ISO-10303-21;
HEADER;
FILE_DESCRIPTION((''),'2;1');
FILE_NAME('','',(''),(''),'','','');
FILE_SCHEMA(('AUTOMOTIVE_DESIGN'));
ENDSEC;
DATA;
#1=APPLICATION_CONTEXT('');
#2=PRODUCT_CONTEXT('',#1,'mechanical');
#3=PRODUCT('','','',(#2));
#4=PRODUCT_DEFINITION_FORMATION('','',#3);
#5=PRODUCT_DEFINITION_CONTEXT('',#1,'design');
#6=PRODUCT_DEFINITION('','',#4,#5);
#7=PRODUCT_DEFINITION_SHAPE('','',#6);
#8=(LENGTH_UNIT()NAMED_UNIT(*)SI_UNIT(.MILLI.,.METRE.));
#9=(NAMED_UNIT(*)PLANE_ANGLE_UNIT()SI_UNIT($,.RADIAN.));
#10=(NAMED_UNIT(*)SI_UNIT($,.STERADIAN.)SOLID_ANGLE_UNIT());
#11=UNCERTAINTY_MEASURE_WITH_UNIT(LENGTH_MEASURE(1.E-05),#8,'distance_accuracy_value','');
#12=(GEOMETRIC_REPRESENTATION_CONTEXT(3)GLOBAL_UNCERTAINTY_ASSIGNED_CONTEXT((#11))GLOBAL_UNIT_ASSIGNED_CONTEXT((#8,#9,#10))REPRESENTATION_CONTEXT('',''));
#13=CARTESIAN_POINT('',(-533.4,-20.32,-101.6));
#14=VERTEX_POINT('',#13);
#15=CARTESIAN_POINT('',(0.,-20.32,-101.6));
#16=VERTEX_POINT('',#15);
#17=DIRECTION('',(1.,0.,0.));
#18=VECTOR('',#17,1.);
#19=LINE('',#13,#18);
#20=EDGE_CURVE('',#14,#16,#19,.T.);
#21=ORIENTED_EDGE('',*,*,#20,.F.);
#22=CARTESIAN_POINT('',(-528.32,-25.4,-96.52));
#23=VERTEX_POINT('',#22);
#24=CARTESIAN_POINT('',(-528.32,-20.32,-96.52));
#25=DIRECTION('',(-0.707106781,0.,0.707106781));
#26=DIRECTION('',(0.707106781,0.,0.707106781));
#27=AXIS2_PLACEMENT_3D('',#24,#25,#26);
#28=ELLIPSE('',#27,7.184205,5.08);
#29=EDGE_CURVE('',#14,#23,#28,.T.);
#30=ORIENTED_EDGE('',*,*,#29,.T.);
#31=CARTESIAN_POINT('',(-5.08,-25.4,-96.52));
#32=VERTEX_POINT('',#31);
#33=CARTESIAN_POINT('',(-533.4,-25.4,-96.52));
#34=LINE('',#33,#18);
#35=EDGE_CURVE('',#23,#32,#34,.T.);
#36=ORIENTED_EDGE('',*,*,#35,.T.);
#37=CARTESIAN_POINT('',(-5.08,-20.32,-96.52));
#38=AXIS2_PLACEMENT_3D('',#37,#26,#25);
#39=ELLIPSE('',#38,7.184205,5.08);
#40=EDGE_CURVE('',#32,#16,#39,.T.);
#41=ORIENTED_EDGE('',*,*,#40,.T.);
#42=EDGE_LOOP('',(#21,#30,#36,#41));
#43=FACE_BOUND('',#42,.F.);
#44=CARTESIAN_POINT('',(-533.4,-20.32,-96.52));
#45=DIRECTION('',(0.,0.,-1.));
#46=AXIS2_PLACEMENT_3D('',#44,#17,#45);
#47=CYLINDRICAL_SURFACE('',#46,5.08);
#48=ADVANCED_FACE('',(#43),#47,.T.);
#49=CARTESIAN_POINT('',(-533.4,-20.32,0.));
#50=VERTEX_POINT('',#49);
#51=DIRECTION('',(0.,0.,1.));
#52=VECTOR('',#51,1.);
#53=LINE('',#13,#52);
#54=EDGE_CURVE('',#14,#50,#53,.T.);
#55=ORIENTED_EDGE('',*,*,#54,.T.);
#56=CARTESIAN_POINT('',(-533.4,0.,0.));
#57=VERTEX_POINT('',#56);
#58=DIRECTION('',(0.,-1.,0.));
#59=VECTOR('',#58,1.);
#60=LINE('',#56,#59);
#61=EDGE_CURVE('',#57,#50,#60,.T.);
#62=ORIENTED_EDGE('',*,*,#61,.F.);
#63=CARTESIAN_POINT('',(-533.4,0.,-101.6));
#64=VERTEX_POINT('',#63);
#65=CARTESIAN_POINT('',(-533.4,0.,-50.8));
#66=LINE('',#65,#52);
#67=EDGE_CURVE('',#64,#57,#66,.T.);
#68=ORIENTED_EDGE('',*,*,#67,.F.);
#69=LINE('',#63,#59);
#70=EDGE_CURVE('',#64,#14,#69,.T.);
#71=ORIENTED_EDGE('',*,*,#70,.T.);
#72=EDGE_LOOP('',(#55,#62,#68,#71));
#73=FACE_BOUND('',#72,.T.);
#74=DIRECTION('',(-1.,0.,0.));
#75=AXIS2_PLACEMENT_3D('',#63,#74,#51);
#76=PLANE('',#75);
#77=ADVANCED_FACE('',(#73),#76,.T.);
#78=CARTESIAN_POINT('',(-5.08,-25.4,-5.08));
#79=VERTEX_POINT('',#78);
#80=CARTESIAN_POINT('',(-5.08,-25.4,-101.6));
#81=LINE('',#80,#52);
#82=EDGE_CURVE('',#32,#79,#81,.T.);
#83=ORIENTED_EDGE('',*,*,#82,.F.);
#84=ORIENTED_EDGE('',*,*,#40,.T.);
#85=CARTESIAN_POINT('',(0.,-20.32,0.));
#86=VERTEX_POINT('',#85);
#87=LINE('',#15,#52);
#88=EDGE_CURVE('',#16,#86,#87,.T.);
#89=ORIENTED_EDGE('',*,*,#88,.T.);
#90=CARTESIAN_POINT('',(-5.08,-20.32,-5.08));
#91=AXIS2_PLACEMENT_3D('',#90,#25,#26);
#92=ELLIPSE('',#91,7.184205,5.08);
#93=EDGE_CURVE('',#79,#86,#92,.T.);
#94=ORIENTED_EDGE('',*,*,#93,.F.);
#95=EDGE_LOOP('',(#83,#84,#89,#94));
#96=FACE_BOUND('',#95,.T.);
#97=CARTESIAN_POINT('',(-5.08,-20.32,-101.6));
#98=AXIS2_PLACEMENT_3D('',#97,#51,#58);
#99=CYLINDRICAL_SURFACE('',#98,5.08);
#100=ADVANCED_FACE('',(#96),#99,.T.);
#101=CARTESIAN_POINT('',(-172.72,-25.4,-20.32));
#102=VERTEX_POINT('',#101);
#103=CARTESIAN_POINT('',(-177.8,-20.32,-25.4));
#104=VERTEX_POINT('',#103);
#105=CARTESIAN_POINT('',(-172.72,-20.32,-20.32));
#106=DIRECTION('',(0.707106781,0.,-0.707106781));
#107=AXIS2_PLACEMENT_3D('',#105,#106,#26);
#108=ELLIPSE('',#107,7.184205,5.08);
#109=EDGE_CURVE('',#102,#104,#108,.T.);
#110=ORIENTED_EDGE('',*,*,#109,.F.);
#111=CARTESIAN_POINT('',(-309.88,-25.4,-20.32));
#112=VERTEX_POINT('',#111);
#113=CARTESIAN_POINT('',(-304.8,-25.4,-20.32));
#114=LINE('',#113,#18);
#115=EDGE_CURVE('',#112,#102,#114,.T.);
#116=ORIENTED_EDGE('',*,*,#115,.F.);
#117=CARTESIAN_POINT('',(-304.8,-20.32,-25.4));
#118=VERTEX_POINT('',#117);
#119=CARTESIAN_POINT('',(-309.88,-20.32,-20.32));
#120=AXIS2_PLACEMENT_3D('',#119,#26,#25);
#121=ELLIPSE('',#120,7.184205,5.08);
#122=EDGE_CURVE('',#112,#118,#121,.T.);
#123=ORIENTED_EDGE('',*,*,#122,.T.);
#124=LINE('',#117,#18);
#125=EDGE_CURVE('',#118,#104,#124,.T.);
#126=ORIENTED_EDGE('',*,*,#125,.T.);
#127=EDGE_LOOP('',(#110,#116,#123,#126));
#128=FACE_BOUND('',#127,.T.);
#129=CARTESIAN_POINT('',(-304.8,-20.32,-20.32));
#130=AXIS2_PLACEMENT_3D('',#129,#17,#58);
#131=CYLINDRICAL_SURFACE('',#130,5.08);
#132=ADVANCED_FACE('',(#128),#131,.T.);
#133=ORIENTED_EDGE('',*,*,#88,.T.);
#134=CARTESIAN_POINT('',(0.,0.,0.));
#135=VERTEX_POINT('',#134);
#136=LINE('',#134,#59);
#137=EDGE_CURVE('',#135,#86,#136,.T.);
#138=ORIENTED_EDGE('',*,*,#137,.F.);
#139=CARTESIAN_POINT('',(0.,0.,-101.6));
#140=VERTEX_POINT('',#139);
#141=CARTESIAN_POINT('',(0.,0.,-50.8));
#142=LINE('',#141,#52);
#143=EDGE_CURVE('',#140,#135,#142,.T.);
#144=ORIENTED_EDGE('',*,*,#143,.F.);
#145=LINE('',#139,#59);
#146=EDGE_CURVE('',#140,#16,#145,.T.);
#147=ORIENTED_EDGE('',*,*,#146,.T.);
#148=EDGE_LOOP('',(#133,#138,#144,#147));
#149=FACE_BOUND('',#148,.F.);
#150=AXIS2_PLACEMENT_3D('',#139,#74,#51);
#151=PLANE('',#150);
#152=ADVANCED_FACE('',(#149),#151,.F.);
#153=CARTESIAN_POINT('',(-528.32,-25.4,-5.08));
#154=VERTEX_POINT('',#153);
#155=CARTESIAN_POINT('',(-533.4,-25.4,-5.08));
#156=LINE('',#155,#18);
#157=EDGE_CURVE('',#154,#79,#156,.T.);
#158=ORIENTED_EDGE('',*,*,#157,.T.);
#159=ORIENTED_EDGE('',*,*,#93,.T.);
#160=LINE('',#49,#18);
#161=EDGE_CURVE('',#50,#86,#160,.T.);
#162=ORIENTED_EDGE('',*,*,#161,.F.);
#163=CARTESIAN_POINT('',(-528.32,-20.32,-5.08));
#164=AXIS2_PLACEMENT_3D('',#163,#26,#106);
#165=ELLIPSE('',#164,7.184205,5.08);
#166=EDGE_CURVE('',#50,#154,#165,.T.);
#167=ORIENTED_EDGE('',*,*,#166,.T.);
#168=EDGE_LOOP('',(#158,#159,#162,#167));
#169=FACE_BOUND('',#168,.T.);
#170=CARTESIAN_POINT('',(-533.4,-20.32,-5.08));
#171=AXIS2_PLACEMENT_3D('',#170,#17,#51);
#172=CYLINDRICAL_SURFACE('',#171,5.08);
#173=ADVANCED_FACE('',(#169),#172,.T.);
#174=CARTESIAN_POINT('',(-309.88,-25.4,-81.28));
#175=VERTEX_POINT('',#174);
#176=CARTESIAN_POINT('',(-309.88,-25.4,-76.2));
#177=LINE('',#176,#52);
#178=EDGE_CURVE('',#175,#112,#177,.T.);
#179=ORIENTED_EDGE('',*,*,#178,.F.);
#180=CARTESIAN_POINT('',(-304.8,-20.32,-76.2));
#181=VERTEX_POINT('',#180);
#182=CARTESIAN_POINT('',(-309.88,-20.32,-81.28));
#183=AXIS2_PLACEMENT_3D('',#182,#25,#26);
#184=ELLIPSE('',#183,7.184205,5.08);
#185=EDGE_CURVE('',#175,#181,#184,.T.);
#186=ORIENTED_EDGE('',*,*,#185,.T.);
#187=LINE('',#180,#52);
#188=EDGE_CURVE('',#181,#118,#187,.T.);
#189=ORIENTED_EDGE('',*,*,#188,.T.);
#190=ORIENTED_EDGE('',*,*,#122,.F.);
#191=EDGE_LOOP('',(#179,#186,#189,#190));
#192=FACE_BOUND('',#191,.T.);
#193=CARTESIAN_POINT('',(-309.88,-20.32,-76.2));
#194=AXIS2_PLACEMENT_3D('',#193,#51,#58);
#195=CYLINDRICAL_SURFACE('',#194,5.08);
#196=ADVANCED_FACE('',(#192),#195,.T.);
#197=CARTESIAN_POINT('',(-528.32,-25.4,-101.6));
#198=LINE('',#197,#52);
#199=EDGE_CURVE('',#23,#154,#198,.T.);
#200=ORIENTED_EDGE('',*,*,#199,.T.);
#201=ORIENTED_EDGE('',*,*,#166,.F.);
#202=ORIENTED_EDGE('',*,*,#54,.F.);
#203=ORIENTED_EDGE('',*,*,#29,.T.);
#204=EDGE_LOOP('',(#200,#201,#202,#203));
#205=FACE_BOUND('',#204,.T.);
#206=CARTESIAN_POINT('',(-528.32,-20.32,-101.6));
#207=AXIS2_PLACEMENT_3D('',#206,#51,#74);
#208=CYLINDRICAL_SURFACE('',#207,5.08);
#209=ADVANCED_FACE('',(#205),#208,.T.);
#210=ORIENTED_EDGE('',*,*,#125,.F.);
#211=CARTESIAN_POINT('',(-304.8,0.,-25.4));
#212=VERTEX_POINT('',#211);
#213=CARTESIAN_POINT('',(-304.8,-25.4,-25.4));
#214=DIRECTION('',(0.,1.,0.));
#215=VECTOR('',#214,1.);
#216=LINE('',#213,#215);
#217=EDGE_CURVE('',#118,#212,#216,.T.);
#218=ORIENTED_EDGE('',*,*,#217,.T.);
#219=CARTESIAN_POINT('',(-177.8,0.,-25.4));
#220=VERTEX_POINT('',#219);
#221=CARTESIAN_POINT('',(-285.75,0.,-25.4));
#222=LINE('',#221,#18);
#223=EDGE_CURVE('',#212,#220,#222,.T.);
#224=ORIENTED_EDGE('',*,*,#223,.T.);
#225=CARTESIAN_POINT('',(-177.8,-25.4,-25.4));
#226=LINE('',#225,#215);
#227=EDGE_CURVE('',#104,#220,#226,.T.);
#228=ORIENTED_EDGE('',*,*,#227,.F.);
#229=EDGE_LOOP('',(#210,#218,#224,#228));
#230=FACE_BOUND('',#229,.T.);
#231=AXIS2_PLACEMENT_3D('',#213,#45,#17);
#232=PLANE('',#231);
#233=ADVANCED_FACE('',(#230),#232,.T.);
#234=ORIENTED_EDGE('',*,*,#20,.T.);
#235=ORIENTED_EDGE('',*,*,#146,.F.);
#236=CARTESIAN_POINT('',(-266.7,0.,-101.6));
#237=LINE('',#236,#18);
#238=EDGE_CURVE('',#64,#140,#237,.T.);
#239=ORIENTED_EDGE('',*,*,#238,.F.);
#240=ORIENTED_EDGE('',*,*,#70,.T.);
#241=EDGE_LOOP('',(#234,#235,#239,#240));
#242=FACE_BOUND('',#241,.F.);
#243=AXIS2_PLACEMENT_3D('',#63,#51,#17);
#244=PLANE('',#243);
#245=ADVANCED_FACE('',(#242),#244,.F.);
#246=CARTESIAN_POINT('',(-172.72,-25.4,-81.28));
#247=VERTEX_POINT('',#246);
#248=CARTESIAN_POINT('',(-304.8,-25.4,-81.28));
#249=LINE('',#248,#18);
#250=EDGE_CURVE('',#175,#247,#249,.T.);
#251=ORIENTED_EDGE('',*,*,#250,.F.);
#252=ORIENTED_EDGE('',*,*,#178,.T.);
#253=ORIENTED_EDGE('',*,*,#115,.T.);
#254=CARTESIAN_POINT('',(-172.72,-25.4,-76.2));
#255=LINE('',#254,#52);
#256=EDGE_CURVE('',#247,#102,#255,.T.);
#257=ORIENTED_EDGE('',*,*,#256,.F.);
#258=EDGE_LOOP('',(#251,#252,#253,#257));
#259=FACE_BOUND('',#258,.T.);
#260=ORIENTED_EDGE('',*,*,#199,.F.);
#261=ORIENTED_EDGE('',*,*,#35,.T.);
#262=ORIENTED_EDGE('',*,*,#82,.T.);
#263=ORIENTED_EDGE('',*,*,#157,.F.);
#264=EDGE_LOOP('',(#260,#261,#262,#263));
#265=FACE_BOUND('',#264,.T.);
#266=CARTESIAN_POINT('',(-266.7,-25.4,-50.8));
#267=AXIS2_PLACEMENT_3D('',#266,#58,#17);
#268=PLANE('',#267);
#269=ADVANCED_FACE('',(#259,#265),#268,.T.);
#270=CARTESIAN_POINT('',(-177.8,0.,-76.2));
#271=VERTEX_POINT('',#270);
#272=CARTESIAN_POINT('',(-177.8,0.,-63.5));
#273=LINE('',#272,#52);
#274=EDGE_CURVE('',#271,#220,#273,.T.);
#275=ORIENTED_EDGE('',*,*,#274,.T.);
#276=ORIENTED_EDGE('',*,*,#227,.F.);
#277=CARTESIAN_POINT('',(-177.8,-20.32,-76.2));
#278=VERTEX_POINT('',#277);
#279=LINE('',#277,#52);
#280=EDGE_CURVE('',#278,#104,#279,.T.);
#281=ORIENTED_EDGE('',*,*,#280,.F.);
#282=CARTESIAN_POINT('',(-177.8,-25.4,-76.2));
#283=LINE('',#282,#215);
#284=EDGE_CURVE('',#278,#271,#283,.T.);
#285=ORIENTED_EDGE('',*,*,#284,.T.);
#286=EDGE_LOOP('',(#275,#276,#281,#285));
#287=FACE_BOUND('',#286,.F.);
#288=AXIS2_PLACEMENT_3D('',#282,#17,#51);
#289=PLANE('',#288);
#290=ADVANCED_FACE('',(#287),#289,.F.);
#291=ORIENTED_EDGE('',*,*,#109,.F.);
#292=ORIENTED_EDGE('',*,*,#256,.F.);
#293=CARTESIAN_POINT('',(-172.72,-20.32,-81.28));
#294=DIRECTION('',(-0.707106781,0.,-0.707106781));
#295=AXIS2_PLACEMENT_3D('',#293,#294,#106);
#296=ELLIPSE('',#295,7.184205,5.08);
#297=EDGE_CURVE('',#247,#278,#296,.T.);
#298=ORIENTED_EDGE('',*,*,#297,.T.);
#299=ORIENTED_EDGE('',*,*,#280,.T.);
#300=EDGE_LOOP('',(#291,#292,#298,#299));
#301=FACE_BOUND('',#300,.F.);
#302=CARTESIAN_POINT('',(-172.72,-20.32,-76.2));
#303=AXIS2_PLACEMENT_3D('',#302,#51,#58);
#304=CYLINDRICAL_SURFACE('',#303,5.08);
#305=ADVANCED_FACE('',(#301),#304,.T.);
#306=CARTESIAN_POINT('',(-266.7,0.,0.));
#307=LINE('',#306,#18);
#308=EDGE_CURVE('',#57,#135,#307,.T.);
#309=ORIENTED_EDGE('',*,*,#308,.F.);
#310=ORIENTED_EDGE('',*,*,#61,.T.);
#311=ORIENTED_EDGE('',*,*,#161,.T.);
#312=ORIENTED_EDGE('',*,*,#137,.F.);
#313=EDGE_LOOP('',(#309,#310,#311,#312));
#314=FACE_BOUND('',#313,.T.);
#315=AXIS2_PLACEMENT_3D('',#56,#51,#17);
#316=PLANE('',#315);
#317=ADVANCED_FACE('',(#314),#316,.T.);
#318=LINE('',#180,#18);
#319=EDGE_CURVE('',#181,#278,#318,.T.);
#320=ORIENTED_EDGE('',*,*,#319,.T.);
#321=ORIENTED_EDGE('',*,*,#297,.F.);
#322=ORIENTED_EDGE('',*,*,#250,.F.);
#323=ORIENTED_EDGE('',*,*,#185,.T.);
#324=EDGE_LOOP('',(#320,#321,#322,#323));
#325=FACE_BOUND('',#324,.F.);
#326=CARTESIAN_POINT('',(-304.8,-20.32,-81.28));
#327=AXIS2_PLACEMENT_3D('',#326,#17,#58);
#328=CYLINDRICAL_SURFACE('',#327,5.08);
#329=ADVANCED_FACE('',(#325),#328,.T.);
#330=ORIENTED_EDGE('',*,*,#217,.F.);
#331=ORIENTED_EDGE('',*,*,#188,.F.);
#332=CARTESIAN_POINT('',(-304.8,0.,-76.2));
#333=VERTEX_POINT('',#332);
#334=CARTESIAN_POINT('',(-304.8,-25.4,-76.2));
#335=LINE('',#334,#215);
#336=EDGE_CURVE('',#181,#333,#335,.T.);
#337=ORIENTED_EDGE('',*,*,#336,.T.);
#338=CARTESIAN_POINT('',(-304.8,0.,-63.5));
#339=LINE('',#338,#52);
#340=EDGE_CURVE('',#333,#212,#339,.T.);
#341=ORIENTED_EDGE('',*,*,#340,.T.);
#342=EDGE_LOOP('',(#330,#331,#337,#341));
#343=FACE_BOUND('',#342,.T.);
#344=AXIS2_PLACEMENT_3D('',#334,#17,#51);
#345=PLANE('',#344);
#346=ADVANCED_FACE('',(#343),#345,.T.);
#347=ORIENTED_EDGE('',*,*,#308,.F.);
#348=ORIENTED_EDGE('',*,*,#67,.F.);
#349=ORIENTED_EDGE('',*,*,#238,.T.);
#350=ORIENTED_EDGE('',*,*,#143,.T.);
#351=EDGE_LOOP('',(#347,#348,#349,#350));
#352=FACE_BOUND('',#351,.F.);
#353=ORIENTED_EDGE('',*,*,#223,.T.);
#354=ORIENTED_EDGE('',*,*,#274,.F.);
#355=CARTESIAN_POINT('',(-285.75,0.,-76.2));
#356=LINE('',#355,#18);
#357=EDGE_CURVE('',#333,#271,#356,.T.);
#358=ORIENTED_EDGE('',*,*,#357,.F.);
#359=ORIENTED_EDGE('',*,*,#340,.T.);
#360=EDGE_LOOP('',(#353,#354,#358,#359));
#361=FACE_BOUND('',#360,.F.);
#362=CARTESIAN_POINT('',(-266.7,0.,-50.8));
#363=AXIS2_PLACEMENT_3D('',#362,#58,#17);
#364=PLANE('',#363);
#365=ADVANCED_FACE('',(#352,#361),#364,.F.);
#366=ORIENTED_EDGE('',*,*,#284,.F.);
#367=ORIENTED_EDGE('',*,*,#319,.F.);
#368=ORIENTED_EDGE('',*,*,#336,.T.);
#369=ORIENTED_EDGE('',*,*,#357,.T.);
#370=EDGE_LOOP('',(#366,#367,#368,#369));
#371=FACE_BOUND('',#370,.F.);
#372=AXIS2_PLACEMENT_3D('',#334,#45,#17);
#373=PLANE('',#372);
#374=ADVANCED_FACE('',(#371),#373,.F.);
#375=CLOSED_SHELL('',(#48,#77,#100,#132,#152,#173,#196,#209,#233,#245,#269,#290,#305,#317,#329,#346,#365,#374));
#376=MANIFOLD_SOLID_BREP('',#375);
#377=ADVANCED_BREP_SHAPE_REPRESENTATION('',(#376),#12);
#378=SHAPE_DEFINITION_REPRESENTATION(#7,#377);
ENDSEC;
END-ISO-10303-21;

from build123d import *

# Parameters (mm, degrees)
F0_W     = 533.4
F0_H     = 101.6
F1_DEPTH = 25.4
F2_W     = 127
F2_H     = 50.8
F3_DEPTH = 50.8
F4_R     = 5.08


with BuildPart() as f1:
    # F0 (on Front) → F1 (new body)
    with BuildSketch(Plane.XZ):
        with Locations((-266.7, -50.8)):
            Rectangle(F0_W, F0_H)
    extrude(amount=F1_DEPTH)

    # F2 (on face) → F3 (cut)
    with BuildSketch(Plane.XZ.offset(25.4)):
        with Locations((-241.3, -50.8)):
            Rectangle(F2_W, F2_H)
    extrude(amount=-F3_DEPTH, mode=Mode.SUBTRACT)

    # F4
    f4_edges = [f1.edges().sort_by_distance(p)[0] for p in [
        (0, -25.4, -50.8),
        (-266.7, -25.4, -101.6),
        (-266.7, -25.4, 0),
        (-533.4, -25.4, -50.8),
        (-304.8, -25.4, -50.8),
        (-241.3, -25.4, -76.2),
        (-177.8, -25.4, -50.8),
        (-241.3, -25.4, -25.4),
    ]]
    fillet(f4_edges, radius=F4_R)


solid = f1.part
